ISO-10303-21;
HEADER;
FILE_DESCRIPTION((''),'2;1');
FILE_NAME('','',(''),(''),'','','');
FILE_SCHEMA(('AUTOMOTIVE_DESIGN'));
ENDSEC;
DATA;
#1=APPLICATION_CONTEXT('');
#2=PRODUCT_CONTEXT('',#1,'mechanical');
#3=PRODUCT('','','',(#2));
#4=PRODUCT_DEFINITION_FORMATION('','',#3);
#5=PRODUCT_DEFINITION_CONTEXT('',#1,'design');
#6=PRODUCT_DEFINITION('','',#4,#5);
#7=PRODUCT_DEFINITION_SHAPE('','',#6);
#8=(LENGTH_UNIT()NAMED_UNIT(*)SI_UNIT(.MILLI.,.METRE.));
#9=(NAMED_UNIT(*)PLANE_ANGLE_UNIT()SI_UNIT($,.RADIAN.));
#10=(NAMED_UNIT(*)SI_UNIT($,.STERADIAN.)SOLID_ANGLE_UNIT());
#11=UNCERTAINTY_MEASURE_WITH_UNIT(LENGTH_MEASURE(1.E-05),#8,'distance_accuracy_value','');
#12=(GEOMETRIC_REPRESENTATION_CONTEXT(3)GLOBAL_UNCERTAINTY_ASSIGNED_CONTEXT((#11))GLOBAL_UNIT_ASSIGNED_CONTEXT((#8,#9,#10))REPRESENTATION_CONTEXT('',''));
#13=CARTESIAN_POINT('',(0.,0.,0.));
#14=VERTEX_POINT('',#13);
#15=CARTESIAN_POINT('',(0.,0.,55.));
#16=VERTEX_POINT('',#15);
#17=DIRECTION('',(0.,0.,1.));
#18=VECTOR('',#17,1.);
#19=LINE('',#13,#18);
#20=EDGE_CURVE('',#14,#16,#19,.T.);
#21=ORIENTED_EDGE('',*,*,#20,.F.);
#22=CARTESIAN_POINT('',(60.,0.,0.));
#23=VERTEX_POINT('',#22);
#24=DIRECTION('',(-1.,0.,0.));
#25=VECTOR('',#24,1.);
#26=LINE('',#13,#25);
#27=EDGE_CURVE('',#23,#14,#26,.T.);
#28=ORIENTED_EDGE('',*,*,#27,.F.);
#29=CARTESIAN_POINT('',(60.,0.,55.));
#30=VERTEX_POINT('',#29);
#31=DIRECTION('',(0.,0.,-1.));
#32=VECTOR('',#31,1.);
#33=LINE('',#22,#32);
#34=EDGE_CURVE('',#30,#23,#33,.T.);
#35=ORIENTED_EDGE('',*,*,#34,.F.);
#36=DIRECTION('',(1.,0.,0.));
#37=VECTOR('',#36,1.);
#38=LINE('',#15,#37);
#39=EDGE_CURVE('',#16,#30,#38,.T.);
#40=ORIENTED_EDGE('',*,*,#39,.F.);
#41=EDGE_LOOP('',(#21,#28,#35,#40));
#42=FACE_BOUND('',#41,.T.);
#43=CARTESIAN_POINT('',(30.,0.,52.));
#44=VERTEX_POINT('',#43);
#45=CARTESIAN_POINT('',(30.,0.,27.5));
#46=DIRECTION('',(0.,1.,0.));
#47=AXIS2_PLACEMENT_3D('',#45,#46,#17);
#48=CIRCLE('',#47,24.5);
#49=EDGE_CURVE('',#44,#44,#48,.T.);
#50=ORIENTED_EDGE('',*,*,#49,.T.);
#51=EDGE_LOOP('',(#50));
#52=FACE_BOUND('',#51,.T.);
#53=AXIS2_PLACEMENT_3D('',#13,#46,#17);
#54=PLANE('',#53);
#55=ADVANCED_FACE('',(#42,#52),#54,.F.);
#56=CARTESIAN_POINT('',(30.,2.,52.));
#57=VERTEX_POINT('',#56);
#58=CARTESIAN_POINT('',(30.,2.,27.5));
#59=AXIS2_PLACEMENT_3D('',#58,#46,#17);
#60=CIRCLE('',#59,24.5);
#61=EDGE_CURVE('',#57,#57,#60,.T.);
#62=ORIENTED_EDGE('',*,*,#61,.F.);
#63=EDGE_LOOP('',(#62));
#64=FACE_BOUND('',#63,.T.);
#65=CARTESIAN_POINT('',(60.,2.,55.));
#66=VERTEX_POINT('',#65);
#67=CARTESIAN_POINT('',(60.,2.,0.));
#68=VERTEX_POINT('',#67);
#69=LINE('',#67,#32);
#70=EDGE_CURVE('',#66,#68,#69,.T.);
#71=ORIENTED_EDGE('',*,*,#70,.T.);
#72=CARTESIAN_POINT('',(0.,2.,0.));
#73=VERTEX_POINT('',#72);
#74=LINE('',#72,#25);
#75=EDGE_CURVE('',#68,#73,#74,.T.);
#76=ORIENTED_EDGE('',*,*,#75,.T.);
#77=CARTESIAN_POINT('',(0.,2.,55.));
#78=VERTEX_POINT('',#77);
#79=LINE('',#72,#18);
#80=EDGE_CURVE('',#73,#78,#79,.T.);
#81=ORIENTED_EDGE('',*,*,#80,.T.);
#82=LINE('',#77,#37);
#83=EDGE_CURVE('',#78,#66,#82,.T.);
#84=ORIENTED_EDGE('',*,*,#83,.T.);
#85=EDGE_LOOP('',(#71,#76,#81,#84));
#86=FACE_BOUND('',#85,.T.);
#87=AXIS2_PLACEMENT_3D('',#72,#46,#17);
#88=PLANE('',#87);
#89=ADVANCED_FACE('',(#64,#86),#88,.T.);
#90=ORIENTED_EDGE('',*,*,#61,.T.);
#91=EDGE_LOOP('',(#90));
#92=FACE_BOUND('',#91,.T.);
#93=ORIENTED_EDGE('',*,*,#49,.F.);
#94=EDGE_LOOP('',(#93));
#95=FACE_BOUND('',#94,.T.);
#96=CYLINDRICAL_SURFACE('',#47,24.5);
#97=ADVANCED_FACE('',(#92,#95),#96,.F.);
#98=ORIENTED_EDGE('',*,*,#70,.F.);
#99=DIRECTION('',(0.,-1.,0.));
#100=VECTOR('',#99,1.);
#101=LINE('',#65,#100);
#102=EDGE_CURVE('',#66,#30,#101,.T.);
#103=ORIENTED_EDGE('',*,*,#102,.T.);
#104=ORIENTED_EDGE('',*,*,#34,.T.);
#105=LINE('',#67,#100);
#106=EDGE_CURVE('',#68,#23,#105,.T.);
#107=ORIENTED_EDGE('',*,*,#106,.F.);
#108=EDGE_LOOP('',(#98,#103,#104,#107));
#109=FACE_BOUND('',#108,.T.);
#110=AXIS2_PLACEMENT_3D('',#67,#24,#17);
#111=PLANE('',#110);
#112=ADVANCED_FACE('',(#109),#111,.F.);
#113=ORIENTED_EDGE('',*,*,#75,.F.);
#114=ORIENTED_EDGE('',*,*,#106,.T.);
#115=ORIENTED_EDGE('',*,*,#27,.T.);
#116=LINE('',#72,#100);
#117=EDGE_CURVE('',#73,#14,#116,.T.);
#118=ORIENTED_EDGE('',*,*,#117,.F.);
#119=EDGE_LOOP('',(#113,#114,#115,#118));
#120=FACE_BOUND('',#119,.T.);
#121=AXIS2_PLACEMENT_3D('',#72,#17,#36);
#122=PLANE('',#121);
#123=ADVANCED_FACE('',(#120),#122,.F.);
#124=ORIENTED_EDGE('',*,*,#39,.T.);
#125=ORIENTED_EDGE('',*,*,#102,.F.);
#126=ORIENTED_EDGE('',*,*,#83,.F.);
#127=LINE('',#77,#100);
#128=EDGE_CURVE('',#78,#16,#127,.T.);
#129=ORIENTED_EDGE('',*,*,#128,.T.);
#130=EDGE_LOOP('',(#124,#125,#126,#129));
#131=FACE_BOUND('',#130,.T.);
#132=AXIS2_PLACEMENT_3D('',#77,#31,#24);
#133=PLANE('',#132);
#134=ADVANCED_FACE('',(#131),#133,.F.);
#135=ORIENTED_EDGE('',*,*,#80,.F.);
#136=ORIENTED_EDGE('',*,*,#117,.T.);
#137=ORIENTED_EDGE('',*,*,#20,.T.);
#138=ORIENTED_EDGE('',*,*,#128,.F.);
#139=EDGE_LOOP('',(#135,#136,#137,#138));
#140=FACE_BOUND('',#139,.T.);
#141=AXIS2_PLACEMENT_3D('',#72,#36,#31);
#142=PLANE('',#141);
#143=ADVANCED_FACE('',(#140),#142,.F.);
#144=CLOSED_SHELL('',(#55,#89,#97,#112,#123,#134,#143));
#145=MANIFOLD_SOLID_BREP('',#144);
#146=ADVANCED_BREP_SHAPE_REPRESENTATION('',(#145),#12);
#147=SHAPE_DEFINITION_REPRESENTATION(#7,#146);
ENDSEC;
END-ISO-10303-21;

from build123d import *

# Parameters (mm, degrees)
IZIM1_W                     = 60
IZIM1_H                     = 55
Y_KSEKLIK_EKSTR_ZYON1_DEPTH = 2
IZIM2_R                     = 24.5
KES_EKSTR_ZYON1_DEPTH       = 2


with BuildPart() as part:
    # Çizim1 → Yükseklik-Ekstrüzyon1 (new body)
    with BuildSketch(Plane(origin=(0, 0, 0), x_dir=(1, 0, 0), z_dir=(0, 1, 0))):
        with Locations((30, -27.5)):
            Rectangle(IZIM1_W, IZIM1_H)
    extrude(amount=Y_KSEKLIK_EKSTR_ZYON1_DEPTH)

    # Çizim2 → Kes-Ekstrüzyon1 (cut)
    with BuildSketch(Plane(origin=(0, 2, 0), x_dir=(1, 0, 0), z_dir=(0, 1, 0))):
        with Locations(Location((30, -27.5, 0), (0, 0, 270))):
            Circle(IZIM2_R)
    extrude(amount=-KES_EKSTR_ZYON1_DEPTH, mode=Mode.SUBTRACT)


solid = part.part
